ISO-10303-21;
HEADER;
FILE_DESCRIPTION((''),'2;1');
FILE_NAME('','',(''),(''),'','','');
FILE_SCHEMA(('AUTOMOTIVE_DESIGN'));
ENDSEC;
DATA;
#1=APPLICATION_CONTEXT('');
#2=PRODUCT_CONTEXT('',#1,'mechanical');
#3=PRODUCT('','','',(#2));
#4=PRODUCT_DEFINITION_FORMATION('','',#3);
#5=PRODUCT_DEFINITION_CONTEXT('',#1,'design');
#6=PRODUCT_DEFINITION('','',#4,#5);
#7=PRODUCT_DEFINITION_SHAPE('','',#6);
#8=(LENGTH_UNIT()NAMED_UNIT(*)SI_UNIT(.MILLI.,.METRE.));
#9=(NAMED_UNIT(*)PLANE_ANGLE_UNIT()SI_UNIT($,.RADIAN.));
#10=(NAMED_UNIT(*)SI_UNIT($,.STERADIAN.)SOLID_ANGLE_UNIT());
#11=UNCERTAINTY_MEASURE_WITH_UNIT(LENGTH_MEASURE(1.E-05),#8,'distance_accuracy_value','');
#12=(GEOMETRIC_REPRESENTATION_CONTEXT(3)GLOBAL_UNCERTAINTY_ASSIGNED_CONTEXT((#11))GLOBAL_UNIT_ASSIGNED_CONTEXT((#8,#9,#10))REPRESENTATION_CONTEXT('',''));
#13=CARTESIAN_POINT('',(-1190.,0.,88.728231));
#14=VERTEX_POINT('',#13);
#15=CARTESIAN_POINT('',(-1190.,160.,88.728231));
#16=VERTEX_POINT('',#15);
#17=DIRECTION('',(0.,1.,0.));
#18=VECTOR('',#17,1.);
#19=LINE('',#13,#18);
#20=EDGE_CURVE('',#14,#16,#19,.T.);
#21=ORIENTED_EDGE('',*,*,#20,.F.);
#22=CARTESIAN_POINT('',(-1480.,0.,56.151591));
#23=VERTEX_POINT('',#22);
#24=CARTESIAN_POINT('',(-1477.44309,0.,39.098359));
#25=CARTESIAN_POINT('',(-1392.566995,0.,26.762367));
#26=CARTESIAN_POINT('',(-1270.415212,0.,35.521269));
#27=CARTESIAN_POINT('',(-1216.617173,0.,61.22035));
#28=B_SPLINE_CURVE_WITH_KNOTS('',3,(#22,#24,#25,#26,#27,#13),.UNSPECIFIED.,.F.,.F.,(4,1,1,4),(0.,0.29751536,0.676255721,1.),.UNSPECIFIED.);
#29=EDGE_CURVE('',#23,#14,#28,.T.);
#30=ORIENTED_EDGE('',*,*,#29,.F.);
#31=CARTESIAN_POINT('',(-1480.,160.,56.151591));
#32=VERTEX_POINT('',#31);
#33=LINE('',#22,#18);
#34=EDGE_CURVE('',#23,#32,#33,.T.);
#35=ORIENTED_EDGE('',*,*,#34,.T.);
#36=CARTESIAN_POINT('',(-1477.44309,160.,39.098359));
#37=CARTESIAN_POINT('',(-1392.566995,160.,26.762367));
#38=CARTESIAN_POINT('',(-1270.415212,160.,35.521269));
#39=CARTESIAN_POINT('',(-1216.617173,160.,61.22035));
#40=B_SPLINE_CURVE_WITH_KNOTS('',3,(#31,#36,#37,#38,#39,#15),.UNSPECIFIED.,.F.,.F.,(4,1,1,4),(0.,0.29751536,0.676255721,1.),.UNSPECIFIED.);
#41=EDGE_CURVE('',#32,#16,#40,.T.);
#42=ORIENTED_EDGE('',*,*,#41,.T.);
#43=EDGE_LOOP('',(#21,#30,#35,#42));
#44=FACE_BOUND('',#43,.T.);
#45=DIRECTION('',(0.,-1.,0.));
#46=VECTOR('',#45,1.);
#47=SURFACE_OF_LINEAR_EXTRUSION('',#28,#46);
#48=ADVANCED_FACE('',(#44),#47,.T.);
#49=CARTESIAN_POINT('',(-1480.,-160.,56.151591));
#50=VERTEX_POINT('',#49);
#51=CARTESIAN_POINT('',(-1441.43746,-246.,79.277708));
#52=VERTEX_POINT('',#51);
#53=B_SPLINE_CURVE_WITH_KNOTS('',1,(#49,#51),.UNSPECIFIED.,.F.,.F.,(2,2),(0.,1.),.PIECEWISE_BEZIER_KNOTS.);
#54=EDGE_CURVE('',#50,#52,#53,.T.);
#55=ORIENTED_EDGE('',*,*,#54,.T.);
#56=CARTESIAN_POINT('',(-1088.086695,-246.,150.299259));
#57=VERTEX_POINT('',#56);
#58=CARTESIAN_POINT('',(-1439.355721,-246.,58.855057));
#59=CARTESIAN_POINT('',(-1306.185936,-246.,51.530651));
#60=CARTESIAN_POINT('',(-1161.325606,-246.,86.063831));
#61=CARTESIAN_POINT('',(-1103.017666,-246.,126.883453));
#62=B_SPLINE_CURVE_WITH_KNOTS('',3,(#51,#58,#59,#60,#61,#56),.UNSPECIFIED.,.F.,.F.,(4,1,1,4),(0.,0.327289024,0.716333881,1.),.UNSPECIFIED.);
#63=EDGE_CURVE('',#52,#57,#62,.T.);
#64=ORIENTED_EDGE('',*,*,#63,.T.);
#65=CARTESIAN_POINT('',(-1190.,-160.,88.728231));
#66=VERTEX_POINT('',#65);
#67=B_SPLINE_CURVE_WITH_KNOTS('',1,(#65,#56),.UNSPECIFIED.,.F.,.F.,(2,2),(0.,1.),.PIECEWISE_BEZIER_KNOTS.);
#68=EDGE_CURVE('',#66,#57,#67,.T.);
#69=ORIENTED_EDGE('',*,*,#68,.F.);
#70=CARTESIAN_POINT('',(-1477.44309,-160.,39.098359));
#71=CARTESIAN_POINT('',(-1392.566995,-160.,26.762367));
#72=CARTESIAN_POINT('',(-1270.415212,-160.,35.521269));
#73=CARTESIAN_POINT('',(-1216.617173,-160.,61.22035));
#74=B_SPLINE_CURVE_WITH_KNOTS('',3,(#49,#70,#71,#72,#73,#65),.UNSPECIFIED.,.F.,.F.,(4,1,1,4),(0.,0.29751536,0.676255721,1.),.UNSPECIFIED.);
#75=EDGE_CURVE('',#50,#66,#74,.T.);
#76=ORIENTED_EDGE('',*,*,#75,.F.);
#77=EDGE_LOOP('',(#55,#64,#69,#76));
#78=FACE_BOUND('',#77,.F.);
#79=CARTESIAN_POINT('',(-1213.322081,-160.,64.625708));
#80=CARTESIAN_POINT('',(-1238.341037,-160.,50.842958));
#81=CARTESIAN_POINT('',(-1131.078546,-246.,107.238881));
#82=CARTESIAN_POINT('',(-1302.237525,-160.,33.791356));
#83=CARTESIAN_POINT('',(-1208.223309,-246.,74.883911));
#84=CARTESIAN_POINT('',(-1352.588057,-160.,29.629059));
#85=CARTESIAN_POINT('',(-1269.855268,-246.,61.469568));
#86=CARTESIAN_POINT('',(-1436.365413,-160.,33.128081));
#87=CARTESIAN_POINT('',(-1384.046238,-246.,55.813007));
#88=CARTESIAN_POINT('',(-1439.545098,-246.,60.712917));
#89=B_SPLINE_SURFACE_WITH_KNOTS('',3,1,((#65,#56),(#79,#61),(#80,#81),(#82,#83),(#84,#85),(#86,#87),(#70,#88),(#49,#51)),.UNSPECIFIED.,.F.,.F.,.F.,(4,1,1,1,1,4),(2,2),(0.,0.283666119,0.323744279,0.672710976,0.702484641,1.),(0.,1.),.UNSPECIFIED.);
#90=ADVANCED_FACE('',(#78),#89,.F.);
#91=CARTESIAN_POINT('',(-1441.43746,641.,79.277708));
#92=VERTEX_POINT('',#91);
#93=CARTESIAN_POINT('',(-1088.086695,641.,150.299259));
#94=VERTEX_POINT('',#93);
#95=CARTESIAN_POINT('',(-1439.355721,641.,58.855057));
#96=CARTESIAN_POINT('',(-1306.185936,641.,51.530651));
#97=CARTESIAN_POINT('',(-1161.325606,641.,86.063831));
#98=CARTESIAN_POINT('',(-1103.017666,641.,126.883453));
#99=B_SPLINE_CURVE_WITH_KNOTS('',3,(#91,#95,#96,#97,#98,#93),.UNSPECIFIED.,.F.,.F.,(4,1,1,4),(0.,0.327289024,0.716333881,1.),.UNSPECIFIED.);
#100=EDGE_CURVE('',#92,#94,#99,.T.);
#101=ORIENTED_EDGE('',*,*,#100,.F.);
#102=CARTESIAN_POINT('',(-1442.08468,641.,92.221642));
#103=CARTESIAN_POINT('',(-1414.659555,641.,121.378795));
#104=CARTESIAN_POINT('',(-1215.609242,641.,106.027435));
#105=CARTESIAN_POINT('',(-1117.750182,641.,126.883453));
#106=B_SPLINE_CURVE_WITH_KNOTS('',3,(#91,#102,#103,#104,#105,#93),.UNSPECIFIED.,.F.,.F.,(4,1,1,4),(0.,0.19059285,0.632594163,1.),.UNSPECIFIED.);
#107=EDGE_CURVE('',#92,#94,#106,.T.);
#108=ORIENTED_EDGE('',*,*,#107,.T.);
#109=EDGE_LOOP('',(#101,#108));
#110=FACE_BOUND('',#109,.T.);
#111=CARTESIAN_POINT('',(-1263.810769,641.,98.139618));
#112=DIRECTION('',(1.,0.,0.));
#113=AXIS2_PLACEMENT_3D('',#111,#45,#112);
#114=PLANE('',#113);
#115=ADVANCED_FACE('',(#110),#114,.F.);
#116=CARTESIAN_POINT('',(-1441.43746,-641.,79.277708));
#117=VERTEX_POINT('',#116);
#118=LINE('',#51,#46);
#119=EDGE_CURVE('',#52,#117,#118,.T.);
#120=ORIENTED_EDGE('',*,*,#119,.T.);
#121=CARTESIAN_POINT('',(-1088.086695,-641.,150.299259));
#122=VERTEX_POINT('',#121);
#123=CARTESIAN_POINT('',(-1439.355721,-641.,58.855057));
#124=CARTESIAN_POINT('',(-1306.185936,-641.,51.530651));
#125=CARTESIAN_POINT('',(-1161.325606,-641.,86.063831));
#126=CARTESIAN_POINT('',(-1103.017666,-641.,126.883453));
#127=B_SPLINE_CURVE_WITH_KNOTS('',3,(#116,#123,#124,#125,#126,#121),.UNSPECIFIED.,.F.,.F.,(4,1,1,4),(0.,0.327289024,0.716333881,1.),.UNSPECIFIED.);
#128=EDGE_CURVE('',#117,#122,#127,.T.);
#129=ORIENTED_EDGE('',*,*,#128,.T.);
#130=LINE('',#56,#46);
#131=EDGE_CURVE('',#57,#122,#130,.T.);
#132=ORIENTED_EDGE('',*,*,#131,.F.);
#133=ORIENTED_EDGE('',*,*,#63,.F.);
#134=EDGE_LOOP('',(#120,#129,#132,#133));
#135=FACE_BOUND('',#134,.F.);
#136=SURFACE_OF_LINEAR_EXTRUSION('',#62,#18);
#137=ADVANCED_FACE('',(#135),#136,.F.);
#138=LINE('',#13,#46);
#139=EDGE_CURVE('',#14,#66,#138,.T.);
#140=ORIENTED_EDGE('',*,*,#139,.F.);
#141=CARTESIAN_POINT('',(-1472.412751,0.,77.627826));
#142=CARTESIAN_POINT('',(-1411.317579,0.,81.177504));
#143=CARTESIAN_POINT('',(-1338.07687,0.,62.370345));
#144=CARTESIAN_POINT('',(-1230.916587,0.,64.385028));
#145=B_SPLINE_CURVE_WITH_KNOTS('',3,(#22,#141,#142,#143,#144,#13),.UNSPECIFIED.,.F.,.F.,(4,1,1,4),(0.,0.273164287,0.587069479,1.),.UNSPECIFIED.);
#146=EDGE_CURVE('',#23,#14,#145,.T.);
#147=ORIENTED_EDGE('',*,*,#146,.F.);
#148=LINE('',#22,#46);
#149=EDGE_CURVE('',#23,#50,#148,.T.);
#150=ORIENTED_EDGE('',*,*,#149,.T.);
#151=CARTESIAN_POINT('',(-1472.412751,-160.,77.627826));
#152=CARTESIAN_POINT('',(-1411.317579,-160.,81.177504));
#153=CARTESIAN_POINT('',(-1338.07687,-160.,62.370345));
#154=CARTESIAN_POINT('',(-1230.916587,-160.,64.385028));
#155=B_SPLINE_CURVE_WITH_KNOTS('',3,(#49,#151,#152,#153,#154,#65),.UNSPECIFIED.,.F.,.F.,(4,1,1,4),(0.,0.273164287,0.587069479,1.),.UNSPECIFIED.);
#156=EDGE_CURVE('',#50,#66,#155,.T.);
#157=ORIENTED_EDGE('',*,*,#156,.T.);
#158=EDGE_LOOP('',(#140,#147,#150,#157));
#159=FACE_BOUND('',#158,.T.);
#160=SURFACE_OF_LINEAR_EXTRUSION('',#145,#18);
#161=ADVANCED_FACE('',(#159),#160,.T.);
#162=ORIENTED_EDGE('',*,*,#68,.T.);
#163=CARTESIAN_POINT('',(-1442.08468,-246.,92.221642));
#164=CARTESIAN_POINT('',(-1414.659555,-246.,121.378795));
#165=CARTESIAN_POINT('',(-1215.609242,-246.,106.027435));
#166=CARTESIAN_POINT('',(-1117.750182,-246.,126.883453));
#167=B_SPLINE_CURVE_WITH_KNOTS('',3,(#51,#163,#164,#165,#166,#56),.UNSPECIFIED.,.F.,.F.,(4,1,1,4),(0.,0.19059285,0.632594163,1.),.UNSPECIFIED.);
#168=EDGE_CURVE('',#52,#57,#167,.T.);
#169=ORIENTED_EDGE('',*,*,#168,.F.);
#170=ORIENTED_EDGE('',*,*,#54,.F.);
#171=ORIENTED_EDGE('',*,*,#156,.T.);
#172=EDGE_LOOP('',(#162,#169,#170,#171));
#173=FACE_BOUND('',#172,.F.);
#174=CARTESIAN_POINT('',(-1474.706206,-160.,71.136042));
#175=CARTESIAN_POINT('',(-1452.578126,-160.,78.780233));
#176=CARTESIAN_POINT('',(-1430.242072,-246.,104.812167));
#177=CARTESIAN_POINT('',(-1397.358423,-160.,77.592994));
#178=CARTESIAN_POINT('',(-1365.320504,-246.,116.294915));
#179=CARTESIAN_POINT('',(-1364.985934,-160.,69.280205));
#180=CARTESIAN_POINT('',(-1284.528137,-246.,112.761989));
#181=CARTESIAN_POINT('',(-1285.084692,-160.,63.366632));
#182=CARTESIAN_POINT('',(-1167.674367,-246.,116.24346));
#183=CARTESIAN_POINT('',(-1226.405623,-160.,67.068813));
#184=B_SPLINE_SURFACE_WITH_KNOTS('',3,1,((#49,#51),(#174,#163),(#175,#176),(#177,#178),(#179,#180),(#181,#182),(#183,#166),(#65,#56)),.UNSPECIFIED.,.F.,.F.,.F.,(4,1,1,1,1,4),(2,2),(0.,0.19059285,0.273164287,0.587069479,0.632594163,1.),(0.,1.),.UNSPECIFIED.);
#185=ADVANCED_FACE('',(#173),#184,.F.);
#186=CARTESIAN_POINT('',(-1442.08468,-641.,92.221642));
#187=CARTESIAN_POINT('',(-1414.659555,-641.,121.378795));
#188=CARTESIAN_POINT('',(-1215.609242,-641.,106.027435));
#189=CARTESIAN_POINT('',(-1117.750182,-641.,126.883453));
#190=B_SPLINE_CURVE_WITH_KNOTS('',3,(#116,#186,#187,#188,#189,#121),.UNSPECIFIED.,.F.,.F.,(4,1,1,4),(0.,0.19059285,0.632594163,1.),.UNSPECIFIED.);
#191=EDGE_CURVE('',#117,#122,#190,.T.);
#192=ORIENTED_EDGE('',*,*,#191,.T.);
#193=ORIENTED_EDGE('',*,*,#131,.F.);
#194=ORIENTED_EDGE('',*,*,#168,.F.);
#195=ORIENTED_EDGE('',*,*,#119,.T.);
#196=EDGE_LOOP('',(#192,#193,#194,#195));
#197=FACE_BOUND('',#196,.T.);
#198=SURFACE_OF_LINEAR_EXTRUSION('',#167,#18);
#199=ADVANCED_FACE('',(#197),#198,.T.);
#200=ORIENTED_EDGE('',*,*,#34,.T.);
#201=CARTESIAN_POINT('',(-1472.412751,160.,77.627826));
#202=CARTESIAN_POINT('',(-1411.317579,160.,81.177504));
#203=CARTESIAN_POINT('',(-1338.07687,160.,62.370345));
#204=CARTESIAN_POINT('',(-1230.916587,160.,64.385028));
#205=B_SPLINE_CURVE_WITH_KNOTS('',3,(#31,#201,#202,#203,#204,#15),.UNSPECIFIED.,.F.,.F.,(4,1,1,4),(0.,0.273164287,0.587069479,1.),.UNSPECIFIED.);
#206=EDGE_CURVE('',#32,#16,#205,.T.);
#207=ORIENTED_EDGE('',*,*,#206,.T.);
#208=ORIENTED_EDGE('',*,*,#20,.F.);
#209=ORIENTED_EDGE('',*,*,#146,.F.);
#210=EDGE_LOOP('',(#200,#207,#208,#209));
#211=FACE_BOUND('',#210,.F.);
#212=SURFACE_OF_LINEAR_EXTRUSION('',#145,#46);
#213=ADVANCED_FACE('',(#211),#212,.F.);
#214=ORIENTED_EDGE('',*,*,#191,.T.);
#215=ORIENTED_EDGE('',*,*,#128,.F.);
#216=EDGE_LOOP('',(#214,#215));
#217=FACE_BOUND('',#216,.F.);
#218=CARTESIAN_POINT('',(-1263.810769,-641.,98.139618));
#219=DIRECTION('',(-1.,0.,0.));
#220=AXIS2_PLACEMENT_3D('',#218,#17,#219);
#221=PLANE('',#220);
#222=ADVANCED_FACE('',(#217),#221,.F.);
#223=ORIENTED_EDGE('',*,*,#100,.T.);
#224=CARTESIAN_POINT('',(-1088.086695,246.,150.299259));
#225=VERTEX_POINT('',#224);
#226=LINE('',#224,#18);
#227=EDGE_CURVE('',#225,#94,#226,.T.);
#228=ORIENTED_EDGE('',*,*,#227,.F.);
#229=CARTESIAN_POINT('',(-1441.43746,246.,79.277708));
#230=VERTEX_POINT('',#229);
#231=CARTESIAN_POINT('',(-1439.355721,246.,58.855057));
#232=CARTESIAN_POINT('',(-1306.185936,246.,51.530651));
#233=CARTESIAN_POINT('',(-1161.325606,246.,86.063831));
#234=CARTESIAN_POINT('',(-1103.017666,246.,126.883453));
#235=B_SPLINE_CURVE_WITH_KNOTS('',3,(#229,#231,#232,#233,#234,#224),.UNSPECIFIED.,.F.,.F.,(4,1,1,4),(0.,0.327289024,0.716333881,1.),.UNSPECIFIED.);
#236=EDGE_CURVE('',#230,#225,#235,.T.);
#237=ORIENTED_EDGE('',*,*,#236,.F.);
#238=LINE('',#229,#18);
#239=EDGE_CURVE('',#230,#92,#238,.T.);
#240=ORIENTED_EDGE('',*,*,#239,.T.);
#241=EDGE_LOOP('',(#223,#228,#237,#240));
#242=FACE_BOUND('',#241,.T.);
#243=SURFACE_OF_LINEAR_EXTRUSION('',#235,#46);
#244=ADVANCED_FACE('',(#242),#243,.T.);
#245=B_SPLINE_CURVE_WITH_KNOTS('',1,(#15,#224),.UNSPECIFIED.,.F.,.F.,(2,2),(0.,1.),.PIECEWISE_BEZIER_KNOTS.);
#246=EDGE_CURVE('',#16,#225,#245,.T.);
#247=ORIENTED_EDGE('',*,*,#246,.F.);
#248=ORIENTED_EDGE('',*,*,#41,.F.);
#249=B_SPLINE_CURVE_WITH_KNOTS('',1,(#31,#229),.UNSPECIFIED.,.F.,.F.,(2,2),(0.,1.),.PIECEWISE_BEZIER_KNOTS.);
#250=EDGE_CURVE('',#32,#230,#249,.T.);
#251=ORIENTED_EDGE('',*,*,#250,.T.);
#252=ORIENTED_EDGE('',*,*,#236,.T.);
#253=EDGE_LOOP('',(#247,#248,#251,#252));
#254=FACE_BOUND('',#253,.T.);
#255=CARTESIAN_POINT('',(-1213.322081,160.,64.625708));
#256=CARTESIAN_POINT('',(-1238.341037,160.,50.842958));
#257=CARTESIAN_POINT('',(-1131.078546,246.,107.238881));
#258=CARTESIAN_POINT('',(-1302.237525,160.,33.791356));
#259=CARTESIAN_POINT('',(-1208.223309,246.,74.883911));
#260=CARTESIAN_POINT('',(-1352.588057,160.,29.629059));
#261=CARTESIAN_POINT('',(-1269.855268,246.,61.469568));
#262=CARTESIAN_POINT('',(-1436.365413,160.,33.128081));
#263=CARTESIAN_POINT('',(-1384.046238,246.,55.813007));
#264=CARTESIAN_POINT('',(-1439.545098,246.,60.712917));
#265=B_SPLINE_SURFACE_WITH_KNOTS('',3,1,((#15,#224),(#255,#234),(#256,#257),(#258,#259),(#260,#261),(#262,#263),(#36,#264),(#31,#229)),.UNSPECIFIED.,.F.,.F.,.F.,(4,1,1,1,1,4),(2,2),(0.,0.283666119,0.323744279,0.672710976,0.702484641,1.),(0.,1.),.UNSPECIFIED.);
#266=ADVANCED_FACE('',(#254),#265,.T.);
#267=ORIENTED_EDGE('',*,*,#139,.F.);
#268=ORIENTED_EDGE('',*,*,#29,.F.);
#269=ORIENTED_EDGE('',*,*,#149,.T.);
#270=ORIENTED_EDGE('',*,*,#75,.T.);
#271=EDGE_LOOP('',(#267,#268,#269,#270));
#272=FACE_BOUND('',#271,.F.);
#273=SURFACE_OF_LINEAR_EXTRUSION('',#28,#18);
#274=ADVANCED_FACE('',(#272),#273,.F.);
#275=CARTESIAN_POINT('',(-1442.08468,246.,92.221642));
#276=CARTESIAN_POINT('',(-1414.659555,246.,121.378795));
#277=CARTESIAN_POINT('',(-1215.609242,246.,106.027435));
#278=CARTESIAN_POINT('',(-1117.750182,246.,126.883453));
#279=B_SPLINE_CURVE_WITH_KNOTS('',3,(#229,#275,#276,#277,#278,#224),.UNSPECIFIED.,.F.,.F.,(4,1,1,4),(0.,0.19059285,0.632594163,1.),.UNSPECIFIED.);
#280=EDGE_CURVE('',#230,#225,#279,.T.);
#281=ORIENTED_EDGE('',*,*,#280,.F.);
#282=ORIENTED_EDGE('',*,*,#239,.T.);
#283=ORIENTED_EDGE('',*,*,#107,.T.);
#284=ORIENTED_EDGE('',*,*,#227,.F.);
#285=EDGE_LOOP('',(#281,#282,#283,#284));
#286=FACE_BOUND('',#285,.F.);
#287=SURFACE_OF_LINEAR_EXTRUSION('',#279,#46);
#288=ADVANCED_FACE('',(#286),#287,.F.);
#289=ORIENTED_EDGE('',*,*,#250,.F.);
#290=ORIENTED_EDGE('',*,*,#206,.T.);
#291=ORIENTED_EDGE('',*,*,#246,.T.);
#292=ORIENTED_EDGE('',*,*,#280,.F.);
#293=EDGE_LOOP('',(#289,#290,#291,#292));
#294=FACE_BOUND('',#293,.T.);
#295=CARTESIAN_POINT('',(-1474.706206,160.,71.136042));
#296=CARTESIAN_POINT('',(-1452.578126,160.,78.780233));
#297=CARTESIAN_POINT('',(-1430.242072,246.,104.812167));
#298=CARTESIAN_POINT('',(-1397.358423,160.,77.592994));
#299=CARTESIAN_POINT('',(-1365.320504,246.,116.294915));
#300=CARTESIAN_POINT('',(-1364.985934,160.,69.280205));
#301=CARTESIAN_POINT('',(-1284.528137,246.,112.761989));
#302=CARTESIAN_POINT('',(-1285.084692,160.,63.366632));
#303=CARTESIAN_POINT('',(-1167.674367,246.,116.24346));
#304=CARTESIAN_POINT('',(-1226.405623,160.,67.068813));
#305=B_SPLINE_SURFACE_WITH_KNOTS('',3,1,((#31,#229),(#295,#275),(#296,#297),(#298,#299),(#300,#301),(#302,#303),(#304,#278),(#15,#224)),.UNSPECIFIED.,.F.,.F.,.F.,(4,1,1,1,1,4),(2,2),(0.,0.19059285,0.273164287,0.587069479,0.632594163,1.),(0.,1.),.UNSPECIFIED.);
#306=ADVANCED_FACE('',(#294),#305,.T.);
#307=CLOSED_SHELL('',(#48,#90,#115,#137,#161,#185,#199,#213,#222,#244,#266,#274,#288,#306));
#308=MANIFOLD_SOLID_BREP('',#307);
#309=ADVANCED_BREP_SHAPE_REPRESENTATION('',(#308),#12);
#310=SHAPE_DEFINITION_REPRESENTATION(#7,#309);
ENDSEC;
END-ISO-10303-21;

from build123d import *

# Parameters (mm, degrees)
F1_DEPTH = 160
F4_DEPTH = 395


with BuildPart() as f1:
    # F0 (on Front) → F1 (new body)
    with BuildSketch(Plane.XZ):
        with BuildLine():
            add(Edge.make_bspline(
                [(-1480, 56.1515912414), (-1472.4127512286, 77.6278256087), (-1411.3175787099, 81.1775037213), (-1338.0768695313, 62.3703446318), (-1230.9165869724, 64.385028033), (-1190, 88.7282312759)],
                knots=[0, 0, 0, 0, 0.273164287, 0.5870694785, 1, 1, 1, 1], degree=3))
            add(Edge.make_bspline(
                [(-1480, 56.1515912414), (-1477.4430900173, 39.0983586398), (-1392.5669949163, 26.7623668149), (-1270.415211733, 35.5212686698), (-1216.6171732979, 61.2203496459), (-1190, 88.7282312759)],
                knots=[0, 0, 0, 0, 0.2975153595, 0.6762557211, 1, 1, 1, 1], degree=3))
        make_face()
    extrude(amount=F1_DEPTH)



with BuildPart() as f4:
    # F3 (on offset) → F4 (new body)
    with BuildSketch(Plane.XZ.offset(246)):
        with BuildLine():
            add(Edge.make_bspline(
                [(-1441.43746001, 79.2777076528), (-1442.0846798885, 92.221641831), (-1414.6595554646, 121.3787952503), (-1215.6092420843, 106.0274347204), (-1117.7501816879, 126.8834528617), (-1088.0866950745, 150.2992587614)],
                knots=[0, 0, 0, 0, 0.1905928497, 0.6325941629, 1, 1, 1, 1], degree=3))
            add(Edge.make_bspline(
                [(-1441.43746001, 79.2777076528), (-1439.3557205725, 58.8550569179), (-1306.1859364534, 51.5306512304), (-1161.3256056896, 86.0638305965), (-1103.0176656511, 126.8834528617), (-1088.0866950745, 150.2992587614)],
                knots=[0, 0, 0, 0, 0.3272890238, 0.7163338812, 1, 1, 1, 1], degree=3))
        make_face()
    extrude(amount=F4_DEPTH)


with BuildPart() as f1_1:
    add(f1.part)

    add(f4.part)  # F5 merges F4
    # F1_face (on face) → F5 section 0
    with BuildSketch(Plane(origin=(-1361.0419255434, -160, 54.3808921039), x_dir=(1, 0, 0), z_dir=(0, -1, 0))):
        with BuildLine():
            add(Edge.make_bspline(
                [(-118.9580744566, 1.7706991375), (-111.3708256853, 23.2469335048), (-50.2756531666, 26.7966116174), (22.9650560121, 7.9894525279), (130.125338571, 10.0041359291), (171.0419255434, 34.347339172)],
                knots=[0, 0, 0, 0, 0.273164287, 0.5870694785, 1, 1, 1, 1], degree=3))
            add(Edge.make_bspline(
                [(-118.9580744566, 1.7706991375), (-116.4011644739, -15.2825334641), (-31.525069373, -27.618525289), (90.6267138104, -18.8596234341), (144.4247522454, 6.839457542), (171.0419255434, 34.347339172)],
                knots=[0, 0, 0, 0, 0.2975153595, 0.6762557211, 1, 1, 1, 1], degree=3))
        make_face()
    # F4_face (on face) → F5 section 1
    with BuildSketch(Plane(origin=(-1293.8845546636, -246, 91.537450604), x_dir=(1, 0, 0), z_dir=(0, 1, 0))):
        with BuildLine():
            add(Edge.make_bspline(
                [(-147.5529053464, 12.2597429512), (-148.2001252248, -0.6841912271), (-120.7750008009, -29.8413446464), (78.2753125793, -14.4899841164), (176.1343729757, -35.3460022578), (205.7978595891, -58.7618081575)],
                knots=[0, 0, 0, 0, 0.1905928497, 0.6325941629, 1, 1, 1, 1], degree=3))
            add(Edge.make_bspline(
                [(-147.5529053464, 12.2597429512), (-145.4711659089, 32.6823936861), (-12.3013817898, 40.0067993735), (132.558948974, 5.4736200074), (190.8668890125, -35.3460022578), (205.7978595891, -58.7618081575)],
                knots=[0, 0, 0, 0, 0.3272890238, 0.7163338812, 1, 1, 1, 1], degree=3))
        make_face()
    loft()

    # F6: F1 across face


with BuildPart() as f1_2:
    add(f1_1.part)
    add(f1_1.part.mirror(Plane(origin=(-1361.0419255434, 0, 54.3808921039), x_dir=(1, 0, 0), z_dir=(0, 1, 0))))


solid = f1_2.part
